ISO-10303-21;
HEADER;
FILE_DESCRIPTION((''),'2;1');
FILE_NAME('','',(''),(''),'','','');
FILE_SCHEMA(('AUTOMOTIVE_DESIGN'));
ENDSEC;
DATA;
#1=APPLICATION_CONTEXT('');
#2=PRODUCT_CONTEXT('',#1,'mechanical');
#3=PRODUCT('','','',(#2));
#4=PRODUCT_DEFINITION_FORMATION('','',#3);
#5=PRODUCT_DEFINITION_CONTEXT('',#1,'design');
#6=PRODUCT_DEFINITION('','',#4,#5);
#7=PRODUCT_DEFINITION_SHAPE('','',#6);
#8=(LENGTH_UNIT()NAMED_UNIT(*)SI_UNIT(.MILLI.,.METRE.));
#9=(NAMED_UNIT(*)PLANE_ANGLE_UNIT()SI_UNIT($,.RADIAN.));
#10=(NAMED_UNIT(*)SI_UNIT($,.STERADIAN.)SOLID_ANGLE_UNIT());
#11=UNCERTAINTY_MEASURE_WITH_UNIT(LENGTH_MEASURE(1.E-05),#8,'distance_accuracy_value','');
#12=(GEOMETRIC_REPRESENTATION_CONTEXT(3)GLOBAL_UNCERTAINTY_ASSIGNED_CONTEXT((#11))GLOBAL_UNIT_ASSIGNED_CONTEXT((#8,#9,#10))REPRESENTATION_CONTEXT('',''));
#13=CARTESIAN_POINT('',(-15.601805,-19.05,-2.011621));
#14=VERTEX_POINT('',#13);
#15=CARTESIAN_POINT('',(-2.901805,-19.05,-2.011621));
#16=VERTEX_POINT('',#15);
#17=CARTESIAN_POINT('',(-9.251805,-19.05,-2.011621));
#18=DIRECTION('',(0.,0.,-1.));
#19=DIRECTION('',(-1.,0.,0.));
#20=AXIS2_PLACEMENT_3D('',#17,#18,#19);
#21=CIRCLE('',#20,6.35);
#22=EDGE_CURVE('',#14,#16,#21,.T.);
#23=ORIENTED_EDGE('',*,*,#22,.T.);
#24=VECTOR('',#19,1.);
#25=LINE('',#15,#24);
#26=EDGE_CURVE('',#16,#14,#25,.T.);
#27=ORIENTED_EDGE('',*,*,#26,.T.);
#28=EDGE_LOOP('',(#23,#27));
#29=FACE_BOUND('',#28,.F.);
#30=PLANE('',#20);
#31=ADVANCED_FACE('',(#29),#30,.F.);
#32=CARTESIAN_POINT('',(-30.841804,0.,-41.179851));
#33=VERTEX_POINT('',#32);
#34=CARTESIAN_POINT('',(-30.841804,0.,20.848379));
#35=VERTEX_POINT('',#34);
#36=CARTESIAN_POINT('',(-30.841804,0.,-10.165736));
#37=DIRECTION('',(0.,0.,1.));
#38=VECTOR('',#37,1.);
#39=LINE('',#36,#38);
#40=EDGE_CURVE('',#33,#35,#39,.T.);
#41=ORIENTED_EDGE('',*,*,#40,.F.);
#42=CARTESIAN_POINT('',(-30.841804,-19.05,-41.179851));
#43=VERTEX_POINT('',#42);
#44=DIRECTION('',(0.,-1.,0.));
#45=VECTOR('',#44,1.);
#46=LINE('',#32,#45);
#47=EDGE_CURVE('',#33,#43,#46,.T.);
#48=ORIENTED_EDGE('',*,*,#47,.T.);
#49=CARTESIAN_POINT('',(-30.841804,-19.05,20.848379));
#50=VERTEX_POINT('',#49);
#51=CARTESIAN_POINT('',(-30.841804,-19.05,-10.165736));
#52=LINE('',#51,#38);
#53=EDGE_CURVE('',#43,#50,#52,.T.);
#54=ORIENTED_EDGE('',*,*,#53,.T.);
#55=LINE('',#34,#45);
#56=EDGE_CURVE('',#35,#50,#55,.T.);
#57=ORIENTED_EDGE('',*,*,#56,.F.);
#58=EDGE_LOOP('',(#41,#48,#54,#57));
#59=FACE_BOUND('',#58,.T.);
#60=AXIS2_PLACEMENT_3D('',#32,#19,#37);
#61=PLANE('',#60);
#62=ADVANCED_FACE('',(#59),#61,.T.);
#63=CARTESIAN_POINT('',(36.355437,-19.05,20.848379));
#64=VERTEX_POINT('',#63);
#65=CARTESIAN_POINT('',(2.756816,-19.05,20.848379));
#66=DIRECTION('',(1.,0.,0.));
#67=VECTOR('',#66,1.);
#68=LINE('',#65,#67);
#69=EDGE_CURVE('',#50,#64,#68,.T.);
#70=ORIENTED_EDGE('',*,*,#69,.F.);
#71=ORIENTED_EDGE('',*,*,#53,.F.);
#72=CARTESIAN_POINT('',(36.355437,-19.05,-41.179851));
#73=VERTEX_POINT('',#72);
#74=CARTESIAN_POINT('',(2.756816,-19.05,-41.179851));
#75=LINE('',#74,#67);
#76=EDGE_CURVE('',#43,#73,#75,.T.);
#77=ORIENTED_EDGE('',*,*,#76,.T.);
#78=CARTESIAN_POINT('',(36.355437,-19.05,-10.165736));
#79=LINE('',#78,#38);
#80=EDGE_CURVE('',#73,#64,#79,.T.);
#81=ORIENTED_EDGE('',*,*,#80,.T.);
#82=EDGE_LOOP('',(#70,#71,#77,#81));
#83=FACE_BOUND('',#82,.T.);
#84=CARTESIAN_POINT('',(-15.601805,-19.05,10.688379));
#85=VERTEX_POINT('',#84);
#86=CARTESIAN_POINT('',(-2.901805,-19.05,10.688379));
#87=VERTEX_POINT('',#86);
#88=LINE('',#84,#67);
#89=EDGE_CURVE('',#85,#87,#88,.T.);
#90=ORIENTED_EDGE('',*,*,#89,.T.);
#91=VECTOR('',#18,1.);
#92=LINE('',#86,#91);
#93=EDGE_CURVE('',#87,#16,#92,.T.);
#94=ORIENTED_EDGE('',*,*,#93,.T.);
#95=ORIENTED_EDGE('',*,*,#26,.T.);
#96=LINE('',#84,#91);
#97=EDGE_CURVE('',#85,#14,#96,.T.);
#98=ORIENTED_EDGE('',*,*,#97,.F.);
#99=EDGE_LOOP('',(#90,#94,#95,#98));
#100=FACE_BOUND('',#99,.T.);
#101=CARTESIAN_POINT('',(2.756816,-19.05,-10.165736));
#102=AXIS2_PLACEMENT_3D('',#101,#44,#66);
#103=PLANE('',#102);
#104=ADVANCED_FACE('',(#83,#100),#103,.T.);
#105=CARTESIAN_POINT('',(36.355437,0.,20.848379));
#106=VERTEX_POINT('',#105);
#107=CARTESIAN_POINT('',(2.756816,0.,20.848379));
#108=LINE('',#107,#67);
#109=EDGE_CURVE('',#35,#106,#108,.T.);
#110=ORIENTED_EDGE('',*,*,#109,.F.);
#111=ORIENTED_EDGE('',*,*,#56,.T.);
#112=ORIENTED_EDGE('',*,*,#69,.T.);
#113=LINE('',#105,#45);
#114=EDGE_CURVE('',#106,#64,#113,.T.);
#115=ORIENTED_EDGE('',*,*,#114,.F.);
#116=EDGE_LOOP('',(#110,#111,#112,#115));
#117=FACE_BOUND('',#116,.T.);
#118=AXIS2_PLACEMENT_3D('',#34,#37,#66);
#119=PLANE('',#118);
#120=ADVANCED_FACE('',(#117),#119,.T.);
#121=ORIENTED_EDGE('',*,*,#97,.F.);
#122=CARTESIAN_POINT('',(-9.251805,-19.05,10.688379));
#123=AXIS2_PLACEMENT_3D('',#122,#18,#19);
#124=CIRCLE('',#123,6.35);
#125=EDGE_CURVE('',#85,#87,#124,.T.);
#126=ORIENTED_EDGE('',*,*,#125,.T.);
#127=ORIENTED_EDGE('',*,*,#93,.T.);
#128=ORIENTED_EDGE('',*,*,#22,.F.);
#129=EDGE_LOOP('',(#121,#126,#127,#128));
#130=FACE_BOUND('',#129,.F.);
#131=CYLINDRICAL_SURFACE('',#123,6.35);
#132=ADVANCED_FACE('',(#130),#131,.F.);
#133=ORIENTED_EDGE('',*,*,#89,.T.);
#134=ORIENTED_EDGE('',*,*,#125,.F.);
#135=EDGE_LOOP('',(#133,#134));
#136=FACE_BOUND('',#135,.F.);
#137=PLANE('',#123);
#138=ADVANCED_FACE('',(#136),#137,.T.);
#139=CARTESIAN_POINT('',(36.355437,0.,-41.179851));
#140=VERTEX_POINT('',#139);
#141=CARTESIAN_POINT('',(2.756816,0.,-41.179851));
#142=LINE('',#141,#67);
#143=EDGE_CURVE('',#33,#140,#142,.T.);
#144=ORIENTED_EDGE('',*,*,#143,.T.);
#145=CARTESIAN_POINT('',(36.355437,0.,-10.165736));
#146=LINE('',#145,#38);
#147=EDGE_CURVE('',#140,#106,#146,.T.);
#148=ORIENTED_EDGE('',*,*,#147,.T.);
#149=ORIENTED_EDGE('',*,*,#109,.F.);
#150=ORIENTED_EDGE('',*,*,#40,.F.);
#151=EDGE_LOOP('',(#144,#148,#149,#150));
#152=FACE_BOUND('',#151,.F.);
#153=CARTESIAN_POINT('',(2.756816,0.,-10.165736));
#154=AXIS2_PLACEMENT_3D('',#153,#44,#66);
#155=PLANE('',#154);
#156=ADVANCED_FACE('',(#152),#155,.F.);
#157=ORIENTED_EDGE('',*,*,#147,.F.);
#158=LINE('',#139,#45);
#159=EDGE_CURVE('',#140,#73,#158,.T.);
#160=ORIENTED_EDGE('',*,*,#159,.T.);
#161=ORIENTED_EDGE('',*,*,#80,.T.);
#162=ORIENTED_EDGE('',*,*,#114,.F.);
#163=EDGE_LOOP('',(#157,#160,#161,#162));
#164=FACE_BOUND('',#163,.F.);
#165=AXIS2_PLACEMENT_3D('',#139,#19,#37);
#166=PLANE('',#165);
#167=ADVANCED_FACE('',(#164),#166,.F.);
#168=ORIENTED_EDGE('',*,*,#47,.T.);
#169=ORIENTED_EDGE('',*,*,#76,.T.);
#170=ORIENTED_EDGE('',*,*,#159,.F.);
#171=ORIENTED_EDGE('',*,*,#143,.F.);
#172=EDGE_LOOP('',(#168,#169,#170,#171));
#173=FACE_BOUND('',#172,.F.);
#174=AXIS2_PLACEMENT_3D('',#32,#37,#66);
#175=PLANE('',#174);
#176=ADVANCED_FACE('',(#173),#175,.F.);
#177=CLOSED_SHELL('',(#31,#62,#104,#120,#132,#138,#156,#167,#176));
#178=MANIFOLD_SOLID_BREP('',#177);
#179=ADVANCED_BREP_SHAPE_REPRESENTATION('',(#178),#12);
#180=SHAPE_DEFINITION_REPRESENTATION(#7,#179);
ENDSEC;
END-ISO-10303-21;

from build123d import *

# Parameters (mm, degrees)
F2_W     = 67.197241
F2_H     = 62.02823
F0_DEPTH = 19.05
F3_ANGLE = -180


with BuildPart() as f0:
    # F2 (on Front) → F0 (new body)
    with BuildSketch(Plane.XZ):
        with Locations((2.756816, -10.165736)):
            Rectangle(F2_W, F2_H)
    extrude(amount=F0_DEPTH)

    # F1 (on face) → F3 (revolve, cut)
    with BuildSketch(Plane.XZ.offset(19.05)):
        Polygon((-15.601805, -2.011621), (-9.251805, -2.011621), (-9.251805, 10.688379), (-12.426805, 10.688379), (-15.601805, 10.688379), (-15.601805, 8.631975), align=None)
    revolve(axis=Axis((-9.251805, -19.05, 4.338379), (0, 0, 1)), revolution_arc=F3_ANGLE, mode=Mode.SUBTRACT)


solid = f0.part
